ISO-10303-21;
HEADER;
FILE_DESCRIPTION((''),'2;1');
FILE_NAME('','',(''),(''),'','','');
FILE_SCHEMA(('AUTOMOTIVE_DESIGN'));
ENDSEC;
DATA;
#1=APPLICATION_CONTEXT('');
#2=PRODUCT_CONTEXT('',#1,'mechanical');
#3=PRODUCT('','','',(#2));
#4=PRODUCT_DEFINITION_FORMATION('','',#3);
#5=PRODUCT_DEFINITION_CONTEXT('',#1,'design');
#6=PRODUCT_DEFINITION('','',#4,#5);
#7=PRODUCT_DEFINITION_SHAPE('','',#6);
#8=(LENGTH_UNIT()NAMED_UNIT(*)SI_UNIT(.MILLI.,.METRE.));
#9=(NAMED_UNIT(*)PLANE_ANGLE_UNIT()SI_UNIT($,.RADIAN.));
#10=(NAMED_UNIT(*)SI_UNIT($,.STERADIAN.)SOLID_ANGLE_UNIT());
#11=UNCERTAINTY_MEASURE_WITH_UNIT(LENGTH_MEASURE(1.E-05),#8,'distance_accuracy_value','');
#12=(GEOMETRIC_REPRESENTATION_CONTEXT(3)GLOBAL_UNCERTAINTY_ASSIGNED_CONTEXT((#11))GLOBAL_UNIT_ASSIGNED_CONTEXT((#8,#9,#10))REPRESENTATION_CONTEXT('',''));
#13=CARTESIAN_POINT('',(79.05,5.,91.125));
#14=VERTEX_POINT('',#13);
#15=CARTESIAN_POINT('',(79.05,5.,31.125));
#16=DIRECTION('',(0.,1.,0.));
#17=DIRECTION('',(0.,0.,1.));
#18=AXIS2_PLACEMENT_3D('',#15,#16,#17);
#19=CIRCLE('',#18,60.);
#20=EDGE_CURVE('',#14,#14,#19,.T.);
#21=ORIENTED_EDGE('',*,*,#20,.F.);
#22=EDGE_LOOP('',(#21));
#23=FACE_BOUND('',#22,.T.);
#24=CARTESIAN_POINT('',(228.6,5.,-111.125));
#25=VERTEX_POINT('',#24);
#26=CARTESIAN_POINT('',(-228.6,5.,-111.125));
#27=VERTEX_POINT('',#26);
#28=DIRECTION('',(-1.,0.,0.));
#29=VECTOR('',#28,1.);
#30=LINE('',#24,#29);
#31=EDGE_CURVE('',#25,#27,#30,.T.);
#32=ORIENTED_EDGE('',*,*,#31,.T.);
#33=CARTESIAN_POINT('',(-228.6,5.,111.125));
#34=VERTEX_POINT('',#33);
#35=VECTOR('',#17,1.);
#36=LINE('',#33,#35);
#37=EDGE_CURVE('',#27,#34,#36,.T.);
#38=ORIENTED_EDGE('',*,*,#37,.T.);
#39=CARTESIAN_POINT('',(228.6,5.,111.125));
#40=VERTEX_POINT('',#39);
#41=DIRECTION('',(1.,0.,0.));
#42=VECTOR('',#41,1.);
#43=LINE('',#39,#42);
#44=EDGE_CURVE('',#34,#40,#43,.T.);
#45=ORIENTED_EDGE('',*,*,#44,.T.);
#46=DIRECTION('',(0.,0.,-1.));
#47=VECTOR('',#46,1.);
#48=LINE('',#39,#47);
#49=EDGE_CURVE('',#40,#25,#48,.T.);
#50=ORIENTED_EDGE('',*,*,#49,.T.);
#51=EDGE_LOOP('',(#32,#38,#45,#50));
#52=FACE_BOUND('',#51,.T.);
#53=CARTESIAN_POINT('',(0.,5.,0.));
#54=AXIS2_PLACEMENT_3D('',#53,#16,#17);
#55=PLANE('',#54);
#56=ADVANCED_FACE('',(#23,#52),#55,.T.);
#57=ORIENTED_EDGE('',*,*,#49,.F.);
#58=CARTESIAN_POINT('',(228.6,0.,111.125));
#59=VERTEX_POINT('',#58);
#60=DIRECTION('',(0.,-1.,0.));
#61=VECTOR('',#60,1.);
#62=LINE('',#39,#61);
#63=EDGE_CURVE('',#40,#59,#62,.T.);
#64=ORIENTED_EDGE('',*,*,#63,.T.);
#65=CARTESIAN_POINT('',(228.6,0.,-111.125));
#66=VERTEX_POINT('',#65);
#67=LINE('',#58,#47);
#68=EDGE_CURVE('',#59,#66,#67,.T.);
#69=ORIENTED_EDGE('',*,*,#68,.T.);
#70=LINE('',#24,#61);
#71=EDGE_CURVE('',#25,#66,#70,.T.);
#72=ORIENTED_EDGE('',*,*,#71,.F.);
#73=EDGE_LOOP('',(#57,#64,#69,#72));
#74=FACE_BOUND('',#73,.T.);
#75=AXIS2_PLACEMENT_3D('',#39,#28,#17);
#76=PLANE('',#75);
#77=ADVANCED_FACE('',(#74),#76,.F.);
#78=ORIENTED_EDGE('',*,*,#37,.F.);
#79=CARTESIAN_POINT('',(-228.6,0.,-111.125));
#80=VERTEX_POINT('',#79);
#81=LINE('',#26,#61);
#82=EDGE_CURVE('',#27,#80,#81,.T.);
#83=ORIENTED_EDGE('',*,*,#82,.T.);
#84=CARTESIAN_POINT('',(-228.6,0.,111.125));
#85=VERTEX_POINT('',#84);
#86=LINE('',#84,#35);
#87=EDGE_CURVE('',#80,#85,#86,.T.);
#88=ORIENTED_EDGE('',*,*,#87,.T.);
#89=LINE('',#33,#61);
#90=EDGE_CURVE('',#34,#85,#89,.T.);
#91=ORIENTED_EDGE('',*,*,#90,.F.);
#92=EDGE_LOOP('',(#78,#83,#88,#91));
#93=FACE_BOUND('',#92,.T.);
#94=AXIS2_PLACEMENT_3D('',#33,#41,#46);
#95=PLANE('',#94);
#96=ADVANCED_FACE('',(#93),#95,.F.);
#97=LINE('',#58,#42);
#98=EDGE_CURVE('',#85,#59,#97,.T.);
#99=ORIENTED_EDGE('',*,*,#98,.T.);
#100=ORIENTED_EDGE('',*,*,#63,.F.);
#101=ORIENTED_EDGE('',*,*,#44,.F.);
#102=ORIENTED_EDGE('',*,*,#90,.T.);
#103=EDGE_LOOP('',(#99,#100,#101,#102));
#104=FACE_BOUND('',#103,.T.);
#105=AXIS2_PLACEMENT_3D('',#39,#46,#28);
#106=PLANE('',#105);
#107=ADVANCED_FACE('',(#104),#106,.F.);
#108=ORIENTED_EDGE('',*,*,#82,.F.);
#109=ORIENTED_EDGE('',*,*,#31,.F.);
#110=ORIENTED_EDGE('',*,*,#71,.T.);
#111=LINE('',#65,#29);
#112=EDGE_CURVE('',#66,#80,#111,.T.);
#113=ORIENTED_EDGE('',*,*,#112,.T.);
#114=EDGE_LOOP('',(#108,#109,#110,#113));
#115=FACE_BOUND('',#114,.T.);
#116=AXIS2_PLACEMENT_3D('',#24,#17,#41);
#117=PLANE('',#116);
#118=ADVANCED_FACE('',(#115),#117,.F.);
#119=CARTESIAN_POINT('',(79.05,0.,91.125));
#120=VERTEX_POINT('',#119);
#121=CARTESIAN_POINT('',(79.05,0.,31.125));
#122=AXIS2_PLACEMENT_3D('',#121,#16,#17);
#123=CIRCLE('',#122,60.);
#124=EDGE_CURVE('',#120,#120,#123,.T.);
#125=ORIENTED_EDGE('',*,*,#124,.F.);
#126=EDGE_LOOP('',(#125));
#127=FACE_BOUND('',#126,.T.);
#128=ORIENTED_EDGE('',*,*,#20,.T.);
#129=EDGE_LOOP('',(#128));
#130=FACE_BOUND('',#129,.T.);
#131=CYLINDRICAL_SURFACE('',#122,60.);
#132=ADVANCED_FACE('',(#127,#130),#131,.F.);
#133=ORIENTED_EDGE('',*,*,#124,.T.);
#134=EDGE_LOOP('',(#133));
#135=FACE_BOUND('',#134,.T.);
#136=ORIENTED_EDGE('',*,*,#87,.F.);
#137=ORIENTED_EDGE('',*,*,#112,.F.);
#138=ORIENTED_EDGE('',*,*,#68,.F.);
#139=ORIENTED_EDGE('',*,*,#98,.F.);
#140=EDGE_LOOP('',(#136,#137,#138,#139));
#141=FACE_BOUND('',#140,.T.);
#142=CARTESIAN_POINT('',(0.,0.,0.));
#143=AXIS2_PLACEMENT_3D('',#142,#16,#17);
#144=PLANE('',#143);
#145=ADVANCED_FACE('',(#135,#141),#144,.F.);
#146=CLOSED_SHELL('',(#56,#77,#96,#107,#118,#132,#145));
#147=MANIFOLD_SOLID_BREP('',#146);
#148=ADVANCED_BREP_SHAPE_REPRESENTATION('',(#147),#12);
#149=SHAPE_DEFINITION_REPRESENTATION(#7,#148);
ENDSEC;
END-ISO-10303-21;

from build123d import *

# Parameters (mm, degrees)
SKETCH1_W           = 457.2
SKETCH1_H           = 222.25
BOSS_EXTRUDE1_DEPTH = 5
SKETCH2_R           = 60
CUT_EXTRUDE1_DEPTH  = 255.227704283


with BuildPart() as part:
    # Sketch1 → Boss-Extrude1 (new body)
    with BuildSketch(Plane(origin=(0, 0, 0), x_dir=(1, 0, 0), z_dir=(0, 1, 0))):
        Rectangle(SKETCH1_W, SKETCH1_H)
    extrude(amount=BOSS_EXTRUDE1_DEPTH)

    # Sketch2 → Cut-Extrude1 (cut, through all)
    with BuildSketch(Plane(origin=(0, 5, 0), x_dir=(1, 0, 0), z_dir=(0, 1, 0))):
        with Locations(Location((79.05, -31.125, 0), (0, 0, 270))):
            Circle(SKETCH2_R)
    extrude(amount=-CUT_EXTRUDE1_DEPTH, mode=Mode.SUBTRACT)


solid = part.part
